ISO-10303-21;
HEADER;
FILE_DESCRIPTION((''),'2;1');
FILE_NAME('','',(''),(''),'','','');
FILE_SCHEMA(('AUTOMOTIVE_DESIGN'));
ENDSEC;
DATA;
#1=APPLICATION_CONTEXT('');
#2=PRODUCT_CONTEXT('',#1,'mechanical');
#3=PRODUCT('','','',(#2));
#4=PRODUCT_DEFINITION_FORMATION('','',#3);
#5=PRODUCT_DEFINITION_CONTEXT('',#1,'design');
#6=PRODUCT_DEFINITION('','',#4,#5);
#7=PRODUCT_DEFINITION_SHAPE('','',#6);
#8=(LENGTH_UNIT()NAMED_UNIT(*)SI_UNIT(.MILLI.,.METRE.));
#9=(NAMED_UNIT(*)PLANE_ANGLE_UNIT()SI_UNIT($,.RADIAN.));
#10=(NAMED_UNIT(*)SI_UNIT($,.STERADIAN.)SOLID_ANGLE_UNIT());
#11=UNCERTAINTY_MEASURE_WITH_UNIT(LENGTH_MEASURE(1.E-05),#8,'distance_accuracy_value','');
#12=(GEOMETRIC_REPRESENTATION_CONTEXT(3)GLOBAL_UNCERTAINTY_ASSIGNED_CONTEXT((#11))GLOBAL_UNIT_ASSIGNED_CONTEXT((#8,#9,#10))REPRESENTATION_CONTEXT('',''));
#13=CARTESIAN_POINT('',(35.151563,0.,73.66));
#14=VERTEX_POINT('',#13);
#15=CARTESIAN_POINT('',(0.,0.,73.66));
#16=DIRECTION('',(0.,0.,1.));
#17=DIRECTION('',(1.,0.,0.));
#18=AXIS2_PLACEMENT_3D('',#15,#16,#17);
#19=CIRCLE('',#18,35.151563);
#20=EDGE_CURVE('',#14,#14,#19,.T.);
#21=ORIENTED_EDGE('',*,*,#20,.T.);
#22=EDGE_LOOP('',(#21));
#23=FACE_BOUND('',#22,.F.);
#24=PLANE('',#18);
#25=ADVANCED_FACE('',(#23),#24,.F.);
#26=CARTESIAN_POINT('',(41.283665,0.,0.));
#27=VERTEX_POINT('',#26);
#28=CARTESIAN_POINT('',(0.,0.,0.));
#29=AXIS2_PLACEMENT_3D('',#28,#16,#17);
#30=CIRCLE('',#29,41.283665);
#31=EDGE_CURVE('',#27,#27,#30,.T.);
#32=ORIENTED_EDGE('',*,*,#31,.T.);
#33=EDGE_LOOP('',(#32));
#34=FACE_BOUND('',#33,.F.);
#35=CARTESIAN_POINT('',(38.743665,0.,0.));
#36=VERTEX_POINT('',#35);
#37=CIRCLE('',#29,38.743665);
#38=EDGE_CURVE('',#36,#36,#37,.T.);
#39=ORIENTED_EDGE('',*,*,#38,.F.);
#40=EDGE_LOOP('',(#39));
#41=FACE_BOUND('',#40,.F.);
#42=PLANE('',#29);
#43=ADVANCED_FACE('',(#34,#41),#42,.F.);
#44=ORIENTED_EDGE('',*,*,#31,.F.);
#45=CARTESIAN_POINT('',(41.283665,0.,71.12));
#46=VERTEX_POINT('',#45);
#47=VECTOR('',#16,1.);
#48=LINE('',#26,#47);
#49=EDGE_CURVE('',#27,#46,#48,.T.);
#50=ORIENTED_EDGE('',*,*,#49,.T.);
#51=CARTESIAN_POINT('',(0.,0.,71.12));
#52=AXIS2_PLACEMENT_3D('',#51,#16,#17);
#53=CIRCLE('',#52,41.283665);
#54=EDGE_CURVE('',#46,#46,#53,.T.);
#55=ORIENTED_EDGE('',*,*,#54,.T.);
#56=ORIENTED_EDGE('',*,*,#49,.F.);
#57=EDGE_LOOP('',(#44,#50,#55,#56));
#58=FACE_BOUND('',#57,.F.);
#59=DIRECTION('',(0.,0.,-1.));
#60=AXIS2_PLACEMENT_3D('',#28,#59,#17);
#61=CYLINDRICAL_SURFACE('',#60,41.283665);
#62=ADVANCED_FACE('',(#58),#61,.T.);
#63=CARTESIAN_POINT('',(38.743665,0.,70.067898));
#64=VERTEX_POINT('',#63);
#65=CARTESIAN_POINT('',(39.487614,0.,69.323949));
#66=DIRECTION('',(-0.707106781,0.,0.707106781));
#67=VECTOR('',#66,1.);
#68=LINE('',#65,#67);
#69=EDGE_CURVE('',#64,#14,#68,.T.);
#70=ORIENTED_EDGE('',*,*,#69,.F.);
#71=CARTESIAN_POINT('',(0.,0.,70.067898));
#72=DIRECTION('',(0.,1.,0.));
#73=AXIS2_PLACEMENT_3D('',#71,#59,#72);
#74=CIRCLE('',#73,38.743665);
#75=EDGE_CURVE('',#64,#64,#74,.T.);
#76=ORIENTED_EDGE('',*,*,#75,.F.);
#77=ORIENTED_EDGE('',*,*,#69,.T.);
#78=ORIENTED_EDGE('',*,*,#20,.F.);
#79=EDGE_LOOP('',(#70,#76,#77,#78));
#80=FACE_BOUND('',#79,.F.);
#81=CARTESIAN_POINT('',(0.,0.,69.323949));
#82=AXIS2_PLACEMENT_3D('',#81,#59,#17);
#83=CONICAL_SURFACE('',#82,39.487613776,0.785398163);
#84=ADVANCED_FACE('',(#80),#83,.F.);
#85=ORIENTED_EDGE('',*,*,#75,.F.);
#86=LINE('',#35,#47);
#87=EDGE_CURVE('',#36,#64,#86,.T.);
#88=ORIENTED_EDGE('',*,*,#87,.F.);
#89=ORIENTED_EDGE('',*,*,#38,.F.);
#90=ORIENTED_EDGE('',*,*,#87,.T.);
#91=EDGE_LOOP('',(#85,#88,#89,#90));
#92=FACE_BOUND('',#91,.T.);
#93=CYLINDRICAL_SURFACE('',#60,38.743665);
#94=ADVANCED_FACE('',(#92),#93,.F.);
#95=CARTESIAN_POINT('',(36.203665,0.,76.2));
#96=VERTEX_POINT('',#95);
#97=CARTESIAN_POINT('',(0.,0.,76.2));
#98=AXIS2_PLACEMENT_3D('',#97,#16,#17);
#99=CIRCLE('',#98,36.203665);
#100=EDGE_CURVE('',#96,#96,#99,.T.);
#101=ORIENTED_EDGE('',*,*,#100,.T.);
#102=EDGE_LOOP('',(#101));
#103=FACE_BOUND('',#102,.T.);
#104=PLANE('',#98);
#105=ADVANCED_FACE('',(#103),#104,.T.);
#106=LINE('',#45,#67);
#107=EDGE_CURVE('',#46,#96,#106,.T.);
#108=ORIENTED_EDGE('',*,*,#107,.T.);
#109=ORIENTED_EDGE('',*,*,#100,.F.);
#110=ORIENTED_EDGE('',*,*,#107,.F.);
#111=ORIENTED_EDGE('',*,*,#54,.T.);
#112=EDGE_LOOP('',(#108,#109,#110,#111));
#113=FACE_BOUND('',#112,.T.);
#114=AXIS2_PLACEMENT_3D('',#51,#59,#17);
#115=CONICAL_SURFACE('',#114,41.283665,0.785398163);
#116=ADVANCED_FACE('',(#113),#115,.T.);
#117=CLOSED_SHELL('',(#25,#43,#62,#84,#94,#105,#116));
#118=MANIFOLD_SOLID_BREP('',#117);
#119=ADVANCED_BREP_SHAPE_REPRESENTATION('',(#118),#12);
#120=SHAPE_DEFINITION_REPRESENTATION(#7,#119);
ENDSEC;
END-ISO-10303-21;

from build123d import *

# Parameters (mm, degrees)
F0_R     = 41.283665
F1_DEPTH = 76.2
F2_SIZE  = 5.08
F3_T     = -2.54


with BuildPart() as f1:
    # F0 (on Top) → F1 (new body)
    with BuildSketch(Plane.XY):
        Circle(F0_R)
    extrude(amount=F1_DEPTH)

    # F2
    f2_edges = [f1.edges().sort_by_distance(p)[0] for p in [
        (-41.283665, 0, 76.2),
    ]]
    chamfer(f2_edges, length=F2_SIZE)

    # F3
    f3_openings = [f1.faces().sort_by_distance(p)[0] for p in [
        (0, 0, 0),
    ]]
    offset(amount=F3_T, openings=f3_openings)


solid = f1.part
